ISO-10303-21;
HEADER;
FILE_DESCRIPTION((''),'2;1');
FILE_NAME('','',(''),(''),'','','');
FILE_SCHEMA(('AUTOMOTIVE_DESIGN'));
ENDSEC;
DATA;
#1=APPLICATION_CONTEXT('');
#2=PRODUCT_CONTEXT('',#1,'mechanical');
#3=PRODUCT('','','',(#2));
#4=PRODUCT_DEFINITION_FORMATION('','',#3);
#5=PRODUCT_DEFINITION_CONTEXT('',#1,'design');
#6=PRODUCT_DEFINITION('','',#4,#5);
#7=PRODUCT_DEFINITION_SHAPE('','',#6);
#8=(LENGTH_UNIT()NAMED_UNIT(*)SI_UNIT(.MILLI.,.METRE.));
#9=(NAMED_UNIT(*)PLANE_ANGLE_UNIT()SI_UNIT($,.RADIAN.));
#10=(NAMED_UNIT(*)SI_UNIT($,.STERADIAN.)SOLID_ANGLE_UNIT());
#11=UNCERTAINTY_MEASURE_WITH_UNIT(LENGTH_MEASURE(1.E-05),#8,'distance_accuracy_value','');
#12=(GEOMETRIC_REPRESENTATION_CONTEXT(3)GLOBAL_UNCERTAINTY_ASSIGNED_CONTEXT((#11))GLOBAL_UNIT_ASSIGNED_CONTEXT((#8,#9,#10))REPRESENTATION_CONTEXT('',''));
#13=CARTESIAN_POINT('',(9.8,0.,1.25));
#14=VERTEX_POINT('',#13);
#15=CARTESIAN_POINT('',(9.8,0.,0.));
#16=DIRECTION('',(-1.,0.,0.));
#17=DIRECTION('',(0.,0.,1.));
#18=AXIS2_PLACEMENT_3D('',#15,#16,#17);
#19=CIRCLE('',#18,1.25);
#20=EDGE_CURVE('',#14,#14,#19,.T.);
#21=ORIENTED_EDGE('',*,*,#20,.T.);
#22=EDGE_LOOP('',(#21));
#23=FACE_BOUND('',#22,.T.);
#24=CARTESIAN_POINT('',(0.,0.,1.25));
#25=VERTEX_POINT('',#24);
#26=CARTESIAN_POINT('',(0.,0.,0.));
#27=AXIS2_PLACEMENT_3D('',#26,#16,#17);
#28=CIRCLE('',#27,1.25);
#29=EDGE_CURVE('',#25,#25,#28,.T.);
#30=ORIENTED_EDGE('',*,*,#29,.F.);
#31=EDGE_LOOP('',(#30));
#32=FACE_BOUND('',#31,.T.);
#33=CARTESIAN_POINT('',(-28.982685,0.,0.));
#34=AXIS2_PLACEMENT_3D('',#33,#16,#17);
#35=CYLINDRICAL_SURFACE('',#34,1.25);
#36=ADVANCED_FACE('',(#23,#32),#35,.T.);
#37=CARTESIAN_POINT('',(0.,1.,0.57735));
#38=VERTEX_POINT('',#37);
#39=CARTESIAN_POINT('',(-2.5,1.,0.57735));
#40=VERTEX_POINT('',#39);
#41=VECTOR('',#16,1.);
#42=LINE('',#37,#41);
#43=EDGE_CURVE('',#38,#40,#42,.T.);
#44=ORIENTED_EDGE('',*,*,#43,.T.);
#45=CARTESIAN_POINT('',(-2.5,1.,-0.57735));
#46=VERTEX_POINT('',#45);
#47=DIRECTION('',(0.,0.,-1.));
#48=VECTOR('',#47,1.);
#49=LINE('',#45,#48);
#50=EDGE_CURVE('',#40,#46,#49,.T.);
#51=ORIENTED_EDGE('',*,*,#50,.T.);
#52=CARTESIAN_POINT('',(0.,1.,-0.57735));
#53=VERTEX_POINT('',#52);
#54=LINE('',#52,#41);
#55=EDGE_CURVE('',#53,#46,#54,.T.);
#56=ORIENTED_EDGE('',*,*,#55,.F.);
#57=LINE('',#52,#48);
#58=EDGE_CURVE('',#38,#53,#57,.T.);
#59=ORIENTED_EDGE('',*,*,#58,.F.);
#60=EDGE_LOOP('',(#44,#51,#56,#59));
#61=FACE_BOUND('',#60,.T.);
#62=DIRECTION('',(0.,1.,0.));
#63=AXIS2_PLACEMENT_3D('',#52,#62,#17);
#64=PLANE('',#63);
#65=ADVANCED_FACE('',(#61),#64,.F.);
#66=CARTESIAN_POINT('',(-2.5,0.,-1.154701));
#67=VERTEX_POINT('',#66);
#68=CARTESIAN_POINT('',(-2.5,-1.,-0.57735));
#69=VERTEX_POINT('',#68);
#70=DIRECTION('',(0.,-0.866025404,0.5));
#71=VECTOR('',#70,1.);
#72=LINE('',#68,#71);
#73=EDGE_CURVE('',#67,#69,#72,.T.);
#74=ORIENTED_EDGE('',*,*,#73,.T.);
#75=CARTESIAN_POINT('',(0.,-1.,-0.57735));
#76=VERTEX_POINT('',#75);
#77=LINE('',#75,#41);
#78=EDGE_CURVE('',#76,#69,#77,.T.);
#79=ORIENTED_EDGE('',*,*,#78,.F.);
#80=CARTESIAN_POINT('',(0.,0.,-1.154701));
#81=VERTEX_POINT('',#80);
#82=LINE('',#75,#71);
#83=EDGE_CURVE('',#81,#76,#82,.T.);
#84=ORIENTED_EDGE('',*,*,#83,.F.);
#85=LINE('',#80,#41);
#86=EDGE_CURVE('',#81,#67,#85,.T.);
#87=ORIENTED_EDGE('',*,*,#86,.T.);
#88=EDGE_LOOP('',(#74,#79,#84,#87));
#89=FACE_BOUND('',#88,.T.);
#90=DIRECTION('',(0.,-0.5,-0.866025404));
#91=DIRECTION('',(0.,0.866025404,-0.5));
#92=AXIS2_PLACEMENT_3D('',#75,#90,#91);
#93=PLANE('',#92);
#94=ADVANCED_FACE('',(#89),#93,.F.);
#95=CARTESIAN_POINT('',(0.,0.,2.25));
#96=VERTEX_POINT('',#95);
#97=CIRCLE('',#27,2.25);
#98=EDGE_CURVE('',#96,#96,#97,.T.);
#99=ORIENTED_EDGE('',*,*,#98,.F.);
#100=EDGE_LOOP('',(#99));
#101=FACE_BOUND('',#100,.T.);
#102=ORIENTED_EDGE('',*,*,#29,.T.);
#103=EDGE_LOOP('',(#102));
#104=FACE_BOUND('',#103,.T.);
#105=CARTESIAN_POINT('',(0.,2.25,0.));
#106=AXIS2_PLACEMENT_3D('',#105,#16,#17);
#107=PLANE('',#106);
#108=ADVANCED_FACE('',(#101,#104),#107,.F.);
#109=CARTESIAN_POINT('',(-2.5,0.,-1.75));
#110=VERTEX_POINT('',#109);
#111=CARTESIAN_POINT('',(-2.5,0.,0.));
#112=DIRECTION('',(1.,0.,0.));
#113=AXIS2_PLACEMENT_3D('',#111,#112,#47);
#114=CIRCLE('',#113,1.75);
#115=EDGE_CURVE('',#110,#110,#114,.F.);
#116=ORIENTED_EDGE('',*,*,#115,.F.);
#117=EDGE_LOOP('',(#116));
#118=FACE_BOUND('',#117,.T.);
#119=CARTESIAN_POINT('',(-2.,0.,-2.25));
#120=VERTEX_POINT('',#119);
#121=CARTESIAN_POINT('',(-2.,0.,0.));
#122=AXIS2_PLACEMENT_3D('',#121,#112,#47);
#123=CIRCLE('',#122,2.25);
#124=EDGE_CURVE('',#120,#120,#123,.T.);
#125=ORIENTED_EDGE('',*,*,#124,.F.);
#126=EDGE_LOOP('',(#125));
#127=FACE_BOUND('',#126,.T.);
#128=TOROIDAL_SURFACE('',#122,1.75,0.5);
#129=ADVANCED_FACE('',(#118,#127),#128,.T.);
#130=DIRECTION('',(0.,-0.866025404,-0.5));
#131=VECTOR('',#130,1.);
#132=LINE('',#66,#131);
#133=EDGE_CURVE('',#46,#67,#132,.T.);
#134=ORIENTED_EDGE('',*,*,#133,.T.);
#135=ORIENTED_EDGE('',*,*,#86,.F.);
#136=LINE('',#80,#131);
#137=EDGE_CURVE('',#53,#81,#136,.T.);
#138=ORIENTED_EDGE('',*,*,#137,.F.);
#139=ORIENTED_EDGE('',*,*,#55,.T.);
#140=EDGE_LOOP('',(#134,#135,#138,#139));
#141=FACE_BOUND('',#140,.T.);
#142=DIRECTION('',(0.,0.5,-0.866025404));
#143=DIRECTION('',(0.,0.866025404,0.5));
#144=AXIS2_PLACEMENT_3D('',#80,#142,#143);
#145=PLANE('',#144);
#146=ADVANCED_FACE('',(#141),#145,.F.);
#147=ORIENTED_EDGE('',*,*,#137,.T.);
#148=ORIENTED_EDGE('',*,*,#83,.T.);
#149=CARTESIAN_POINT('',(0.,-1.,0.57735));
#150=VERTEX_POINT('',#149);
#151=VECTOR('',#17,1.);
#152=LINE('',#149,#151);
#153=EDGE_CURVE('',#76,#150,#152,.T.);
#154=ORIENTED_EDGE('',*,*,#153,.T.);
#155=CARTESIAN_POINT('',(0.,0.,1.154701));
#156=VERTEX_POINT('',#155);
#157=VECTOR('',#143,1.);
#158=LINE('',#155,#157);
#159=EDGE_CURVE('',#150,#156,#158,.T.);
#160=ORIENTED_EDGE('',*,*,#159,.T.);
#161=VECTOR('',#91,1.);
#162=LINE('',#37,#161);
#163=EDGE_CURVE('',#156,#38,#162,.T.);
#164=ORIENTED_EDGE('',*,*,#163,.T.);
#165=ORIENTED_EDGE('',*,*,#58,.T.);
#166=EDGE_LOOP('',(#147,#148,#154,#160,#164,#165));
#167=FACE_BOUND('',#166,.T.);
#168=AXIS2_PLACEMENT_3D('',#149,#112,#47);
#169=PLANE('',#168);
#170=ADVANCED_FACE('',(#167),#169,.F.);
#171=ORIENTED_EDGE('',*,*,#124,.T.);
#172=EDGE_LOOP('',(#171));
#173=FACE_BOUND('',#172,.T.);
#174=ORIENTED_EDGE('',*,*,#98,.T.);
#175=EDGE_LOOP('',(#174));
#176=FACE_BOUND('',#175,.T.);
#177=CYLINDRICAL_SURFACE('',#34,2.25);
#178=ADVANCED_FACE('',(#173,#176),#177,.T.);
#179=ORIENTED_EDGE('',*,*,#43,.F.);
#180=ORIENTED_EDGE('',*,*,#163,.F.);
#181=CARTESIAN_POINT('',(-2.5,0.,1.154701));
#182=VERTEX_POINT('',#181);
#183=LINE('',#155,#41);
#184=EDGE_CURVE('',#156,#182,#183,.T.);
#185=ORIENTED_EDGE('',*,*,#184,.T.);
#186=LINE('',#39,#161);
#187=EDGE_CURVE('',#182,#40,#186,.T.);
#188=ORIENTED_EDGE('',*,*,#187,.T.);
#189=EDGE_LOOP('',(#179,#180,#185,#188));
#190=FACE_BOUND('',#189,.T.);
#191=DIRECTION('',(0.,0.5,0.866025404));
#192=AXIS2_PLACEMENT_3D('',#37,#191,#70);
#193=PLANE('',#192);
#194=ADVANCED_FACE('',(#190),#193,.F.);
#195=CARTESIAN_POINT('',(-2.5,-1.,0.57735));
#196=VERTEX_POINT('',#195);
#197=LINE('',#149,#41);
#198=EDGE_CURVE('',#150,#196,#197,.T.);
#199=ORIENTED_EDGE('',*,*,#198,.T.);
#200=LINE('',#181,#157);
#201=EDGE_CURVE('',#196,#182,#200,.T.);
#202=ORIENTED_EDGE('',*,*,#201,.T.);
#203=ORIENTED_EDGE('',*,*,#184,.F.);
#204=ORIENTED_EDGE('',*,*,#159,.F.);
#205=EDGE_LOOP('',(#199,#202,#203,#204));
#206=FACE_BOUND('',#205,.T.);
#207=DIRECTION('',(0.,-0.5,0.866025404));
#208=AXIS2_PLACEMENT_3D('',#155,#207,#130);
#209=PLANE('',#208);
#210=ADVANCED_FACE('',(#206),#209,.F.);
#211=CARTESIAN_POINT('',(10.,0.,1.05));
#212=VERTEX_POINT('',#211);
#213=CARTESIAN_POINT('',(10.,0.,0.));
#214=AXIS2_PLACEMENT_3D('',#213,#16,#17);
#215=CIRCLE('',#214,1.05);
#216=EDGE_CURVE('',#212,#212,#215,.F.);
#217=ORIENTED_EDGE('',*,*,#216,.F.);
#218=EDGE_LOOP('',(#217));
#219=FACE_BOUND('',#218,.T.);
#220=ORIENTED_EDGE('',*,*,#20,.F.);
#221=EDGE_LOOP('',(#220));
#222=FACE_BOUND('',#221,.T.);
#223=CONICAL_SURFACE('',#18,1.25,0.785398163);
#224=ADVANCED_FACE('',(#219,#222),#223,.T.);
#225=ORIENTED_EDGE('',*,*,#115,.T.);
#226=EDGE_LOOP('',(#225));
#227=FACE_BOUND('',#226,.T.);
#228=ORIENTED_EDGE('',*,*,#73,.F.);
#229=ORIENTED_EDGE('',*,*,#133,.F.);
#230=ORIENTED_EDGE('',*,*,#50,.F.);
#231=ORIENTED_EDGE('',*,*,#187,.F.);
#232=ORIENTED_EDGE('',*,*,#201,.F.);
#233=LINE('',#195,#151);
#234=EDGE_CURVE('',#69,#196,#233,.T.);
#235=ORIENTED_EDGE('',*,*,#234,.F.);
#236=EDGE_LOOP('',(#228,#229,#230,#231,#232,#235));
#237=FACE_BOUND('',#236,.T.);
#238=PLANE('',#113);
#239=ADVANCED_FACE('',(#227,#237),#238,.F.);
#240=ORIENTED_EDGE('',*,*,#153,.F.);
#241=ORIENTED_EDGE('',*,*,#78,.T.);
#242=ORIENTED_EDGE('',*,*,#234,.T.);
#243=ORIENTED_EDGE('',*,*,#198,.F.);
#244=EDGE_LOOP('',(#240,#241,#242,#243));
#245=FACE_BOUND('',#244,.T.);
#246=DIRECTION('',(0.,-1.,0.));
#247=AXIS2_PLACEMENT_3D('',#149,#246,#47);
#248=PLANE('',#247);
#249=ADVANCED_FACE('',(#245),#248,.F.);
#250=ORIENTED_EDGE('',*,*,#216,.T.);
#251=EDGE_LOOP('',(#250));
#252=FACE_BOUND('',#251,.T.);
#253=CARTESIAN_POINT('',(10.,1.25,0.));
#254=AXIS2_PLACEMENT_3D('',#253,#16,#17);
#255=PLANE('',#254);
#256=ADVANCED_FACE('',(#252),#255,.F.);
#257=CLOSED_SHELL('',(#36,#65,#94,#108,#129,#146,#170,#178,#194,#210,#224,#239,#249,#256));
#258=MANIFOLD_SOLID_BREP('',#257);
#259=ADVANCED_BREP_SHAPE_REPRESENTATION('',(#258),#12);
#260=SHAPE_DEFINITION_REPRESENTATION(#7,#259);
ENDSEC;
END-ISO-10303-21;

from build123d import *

# Parameters (mm, degrees)
CHANFREIN1_SIZE         = 0.2
CONG_1_R                = 0.5
EMPREINTE_POUR_CL_DEPTH = 2.5


with BuildPart() as part:
    # Esquisse1 → Base-Révolution (revolve)
    with BuildSketch(Plane.XY, mode=Mode.PRIVATE) as base_r_volution_sk:
        Polygon((-2.5, 0), (-2.5, 2.25), (0, 2.25), (0, 1.25), (10, 1.25), (10, 0), align=None)
    revolve(base_r_volution_sk.sketch.rotate(Axis((-28.982684825, 0, 0), (1, 0, 0)), 90), axis=Axis((-28.982684825, 0, 0), (1, 0, 0)))

    # Chanfrein1
    chanfrein1_edges = [part.edges().sort_by_distance(p)[0] for p in [
        (10, 0, -1.25),
    ]]
    chamfer(chanfrein1_edges, length=CHANFREIN1_SIZE)

    # Congé1
    cong_1_edges = [part.edges().sort_by_distance(p)[0] for p in [
        (-2.5, 0, -2.25),
    ]]
    fillet(cong_1_edges, radius=CONG_1_R)

    # Esquisse2 → Empreinte pour clé (cut)
    with BuildSketch(Plane.ZY.offset(2.5)):
        Polygon((0.577350269, -1), (-0.577350269, -1), (-1.154700538, 0), (-0.577350269, 1), (0.577350269, 1), (1.154700538, 0), align=None)
    extrude(amount=-EMPREINTE_POUR_CL_DEPTH, mode=Mode.SUBTRACT)


solid = part.part
